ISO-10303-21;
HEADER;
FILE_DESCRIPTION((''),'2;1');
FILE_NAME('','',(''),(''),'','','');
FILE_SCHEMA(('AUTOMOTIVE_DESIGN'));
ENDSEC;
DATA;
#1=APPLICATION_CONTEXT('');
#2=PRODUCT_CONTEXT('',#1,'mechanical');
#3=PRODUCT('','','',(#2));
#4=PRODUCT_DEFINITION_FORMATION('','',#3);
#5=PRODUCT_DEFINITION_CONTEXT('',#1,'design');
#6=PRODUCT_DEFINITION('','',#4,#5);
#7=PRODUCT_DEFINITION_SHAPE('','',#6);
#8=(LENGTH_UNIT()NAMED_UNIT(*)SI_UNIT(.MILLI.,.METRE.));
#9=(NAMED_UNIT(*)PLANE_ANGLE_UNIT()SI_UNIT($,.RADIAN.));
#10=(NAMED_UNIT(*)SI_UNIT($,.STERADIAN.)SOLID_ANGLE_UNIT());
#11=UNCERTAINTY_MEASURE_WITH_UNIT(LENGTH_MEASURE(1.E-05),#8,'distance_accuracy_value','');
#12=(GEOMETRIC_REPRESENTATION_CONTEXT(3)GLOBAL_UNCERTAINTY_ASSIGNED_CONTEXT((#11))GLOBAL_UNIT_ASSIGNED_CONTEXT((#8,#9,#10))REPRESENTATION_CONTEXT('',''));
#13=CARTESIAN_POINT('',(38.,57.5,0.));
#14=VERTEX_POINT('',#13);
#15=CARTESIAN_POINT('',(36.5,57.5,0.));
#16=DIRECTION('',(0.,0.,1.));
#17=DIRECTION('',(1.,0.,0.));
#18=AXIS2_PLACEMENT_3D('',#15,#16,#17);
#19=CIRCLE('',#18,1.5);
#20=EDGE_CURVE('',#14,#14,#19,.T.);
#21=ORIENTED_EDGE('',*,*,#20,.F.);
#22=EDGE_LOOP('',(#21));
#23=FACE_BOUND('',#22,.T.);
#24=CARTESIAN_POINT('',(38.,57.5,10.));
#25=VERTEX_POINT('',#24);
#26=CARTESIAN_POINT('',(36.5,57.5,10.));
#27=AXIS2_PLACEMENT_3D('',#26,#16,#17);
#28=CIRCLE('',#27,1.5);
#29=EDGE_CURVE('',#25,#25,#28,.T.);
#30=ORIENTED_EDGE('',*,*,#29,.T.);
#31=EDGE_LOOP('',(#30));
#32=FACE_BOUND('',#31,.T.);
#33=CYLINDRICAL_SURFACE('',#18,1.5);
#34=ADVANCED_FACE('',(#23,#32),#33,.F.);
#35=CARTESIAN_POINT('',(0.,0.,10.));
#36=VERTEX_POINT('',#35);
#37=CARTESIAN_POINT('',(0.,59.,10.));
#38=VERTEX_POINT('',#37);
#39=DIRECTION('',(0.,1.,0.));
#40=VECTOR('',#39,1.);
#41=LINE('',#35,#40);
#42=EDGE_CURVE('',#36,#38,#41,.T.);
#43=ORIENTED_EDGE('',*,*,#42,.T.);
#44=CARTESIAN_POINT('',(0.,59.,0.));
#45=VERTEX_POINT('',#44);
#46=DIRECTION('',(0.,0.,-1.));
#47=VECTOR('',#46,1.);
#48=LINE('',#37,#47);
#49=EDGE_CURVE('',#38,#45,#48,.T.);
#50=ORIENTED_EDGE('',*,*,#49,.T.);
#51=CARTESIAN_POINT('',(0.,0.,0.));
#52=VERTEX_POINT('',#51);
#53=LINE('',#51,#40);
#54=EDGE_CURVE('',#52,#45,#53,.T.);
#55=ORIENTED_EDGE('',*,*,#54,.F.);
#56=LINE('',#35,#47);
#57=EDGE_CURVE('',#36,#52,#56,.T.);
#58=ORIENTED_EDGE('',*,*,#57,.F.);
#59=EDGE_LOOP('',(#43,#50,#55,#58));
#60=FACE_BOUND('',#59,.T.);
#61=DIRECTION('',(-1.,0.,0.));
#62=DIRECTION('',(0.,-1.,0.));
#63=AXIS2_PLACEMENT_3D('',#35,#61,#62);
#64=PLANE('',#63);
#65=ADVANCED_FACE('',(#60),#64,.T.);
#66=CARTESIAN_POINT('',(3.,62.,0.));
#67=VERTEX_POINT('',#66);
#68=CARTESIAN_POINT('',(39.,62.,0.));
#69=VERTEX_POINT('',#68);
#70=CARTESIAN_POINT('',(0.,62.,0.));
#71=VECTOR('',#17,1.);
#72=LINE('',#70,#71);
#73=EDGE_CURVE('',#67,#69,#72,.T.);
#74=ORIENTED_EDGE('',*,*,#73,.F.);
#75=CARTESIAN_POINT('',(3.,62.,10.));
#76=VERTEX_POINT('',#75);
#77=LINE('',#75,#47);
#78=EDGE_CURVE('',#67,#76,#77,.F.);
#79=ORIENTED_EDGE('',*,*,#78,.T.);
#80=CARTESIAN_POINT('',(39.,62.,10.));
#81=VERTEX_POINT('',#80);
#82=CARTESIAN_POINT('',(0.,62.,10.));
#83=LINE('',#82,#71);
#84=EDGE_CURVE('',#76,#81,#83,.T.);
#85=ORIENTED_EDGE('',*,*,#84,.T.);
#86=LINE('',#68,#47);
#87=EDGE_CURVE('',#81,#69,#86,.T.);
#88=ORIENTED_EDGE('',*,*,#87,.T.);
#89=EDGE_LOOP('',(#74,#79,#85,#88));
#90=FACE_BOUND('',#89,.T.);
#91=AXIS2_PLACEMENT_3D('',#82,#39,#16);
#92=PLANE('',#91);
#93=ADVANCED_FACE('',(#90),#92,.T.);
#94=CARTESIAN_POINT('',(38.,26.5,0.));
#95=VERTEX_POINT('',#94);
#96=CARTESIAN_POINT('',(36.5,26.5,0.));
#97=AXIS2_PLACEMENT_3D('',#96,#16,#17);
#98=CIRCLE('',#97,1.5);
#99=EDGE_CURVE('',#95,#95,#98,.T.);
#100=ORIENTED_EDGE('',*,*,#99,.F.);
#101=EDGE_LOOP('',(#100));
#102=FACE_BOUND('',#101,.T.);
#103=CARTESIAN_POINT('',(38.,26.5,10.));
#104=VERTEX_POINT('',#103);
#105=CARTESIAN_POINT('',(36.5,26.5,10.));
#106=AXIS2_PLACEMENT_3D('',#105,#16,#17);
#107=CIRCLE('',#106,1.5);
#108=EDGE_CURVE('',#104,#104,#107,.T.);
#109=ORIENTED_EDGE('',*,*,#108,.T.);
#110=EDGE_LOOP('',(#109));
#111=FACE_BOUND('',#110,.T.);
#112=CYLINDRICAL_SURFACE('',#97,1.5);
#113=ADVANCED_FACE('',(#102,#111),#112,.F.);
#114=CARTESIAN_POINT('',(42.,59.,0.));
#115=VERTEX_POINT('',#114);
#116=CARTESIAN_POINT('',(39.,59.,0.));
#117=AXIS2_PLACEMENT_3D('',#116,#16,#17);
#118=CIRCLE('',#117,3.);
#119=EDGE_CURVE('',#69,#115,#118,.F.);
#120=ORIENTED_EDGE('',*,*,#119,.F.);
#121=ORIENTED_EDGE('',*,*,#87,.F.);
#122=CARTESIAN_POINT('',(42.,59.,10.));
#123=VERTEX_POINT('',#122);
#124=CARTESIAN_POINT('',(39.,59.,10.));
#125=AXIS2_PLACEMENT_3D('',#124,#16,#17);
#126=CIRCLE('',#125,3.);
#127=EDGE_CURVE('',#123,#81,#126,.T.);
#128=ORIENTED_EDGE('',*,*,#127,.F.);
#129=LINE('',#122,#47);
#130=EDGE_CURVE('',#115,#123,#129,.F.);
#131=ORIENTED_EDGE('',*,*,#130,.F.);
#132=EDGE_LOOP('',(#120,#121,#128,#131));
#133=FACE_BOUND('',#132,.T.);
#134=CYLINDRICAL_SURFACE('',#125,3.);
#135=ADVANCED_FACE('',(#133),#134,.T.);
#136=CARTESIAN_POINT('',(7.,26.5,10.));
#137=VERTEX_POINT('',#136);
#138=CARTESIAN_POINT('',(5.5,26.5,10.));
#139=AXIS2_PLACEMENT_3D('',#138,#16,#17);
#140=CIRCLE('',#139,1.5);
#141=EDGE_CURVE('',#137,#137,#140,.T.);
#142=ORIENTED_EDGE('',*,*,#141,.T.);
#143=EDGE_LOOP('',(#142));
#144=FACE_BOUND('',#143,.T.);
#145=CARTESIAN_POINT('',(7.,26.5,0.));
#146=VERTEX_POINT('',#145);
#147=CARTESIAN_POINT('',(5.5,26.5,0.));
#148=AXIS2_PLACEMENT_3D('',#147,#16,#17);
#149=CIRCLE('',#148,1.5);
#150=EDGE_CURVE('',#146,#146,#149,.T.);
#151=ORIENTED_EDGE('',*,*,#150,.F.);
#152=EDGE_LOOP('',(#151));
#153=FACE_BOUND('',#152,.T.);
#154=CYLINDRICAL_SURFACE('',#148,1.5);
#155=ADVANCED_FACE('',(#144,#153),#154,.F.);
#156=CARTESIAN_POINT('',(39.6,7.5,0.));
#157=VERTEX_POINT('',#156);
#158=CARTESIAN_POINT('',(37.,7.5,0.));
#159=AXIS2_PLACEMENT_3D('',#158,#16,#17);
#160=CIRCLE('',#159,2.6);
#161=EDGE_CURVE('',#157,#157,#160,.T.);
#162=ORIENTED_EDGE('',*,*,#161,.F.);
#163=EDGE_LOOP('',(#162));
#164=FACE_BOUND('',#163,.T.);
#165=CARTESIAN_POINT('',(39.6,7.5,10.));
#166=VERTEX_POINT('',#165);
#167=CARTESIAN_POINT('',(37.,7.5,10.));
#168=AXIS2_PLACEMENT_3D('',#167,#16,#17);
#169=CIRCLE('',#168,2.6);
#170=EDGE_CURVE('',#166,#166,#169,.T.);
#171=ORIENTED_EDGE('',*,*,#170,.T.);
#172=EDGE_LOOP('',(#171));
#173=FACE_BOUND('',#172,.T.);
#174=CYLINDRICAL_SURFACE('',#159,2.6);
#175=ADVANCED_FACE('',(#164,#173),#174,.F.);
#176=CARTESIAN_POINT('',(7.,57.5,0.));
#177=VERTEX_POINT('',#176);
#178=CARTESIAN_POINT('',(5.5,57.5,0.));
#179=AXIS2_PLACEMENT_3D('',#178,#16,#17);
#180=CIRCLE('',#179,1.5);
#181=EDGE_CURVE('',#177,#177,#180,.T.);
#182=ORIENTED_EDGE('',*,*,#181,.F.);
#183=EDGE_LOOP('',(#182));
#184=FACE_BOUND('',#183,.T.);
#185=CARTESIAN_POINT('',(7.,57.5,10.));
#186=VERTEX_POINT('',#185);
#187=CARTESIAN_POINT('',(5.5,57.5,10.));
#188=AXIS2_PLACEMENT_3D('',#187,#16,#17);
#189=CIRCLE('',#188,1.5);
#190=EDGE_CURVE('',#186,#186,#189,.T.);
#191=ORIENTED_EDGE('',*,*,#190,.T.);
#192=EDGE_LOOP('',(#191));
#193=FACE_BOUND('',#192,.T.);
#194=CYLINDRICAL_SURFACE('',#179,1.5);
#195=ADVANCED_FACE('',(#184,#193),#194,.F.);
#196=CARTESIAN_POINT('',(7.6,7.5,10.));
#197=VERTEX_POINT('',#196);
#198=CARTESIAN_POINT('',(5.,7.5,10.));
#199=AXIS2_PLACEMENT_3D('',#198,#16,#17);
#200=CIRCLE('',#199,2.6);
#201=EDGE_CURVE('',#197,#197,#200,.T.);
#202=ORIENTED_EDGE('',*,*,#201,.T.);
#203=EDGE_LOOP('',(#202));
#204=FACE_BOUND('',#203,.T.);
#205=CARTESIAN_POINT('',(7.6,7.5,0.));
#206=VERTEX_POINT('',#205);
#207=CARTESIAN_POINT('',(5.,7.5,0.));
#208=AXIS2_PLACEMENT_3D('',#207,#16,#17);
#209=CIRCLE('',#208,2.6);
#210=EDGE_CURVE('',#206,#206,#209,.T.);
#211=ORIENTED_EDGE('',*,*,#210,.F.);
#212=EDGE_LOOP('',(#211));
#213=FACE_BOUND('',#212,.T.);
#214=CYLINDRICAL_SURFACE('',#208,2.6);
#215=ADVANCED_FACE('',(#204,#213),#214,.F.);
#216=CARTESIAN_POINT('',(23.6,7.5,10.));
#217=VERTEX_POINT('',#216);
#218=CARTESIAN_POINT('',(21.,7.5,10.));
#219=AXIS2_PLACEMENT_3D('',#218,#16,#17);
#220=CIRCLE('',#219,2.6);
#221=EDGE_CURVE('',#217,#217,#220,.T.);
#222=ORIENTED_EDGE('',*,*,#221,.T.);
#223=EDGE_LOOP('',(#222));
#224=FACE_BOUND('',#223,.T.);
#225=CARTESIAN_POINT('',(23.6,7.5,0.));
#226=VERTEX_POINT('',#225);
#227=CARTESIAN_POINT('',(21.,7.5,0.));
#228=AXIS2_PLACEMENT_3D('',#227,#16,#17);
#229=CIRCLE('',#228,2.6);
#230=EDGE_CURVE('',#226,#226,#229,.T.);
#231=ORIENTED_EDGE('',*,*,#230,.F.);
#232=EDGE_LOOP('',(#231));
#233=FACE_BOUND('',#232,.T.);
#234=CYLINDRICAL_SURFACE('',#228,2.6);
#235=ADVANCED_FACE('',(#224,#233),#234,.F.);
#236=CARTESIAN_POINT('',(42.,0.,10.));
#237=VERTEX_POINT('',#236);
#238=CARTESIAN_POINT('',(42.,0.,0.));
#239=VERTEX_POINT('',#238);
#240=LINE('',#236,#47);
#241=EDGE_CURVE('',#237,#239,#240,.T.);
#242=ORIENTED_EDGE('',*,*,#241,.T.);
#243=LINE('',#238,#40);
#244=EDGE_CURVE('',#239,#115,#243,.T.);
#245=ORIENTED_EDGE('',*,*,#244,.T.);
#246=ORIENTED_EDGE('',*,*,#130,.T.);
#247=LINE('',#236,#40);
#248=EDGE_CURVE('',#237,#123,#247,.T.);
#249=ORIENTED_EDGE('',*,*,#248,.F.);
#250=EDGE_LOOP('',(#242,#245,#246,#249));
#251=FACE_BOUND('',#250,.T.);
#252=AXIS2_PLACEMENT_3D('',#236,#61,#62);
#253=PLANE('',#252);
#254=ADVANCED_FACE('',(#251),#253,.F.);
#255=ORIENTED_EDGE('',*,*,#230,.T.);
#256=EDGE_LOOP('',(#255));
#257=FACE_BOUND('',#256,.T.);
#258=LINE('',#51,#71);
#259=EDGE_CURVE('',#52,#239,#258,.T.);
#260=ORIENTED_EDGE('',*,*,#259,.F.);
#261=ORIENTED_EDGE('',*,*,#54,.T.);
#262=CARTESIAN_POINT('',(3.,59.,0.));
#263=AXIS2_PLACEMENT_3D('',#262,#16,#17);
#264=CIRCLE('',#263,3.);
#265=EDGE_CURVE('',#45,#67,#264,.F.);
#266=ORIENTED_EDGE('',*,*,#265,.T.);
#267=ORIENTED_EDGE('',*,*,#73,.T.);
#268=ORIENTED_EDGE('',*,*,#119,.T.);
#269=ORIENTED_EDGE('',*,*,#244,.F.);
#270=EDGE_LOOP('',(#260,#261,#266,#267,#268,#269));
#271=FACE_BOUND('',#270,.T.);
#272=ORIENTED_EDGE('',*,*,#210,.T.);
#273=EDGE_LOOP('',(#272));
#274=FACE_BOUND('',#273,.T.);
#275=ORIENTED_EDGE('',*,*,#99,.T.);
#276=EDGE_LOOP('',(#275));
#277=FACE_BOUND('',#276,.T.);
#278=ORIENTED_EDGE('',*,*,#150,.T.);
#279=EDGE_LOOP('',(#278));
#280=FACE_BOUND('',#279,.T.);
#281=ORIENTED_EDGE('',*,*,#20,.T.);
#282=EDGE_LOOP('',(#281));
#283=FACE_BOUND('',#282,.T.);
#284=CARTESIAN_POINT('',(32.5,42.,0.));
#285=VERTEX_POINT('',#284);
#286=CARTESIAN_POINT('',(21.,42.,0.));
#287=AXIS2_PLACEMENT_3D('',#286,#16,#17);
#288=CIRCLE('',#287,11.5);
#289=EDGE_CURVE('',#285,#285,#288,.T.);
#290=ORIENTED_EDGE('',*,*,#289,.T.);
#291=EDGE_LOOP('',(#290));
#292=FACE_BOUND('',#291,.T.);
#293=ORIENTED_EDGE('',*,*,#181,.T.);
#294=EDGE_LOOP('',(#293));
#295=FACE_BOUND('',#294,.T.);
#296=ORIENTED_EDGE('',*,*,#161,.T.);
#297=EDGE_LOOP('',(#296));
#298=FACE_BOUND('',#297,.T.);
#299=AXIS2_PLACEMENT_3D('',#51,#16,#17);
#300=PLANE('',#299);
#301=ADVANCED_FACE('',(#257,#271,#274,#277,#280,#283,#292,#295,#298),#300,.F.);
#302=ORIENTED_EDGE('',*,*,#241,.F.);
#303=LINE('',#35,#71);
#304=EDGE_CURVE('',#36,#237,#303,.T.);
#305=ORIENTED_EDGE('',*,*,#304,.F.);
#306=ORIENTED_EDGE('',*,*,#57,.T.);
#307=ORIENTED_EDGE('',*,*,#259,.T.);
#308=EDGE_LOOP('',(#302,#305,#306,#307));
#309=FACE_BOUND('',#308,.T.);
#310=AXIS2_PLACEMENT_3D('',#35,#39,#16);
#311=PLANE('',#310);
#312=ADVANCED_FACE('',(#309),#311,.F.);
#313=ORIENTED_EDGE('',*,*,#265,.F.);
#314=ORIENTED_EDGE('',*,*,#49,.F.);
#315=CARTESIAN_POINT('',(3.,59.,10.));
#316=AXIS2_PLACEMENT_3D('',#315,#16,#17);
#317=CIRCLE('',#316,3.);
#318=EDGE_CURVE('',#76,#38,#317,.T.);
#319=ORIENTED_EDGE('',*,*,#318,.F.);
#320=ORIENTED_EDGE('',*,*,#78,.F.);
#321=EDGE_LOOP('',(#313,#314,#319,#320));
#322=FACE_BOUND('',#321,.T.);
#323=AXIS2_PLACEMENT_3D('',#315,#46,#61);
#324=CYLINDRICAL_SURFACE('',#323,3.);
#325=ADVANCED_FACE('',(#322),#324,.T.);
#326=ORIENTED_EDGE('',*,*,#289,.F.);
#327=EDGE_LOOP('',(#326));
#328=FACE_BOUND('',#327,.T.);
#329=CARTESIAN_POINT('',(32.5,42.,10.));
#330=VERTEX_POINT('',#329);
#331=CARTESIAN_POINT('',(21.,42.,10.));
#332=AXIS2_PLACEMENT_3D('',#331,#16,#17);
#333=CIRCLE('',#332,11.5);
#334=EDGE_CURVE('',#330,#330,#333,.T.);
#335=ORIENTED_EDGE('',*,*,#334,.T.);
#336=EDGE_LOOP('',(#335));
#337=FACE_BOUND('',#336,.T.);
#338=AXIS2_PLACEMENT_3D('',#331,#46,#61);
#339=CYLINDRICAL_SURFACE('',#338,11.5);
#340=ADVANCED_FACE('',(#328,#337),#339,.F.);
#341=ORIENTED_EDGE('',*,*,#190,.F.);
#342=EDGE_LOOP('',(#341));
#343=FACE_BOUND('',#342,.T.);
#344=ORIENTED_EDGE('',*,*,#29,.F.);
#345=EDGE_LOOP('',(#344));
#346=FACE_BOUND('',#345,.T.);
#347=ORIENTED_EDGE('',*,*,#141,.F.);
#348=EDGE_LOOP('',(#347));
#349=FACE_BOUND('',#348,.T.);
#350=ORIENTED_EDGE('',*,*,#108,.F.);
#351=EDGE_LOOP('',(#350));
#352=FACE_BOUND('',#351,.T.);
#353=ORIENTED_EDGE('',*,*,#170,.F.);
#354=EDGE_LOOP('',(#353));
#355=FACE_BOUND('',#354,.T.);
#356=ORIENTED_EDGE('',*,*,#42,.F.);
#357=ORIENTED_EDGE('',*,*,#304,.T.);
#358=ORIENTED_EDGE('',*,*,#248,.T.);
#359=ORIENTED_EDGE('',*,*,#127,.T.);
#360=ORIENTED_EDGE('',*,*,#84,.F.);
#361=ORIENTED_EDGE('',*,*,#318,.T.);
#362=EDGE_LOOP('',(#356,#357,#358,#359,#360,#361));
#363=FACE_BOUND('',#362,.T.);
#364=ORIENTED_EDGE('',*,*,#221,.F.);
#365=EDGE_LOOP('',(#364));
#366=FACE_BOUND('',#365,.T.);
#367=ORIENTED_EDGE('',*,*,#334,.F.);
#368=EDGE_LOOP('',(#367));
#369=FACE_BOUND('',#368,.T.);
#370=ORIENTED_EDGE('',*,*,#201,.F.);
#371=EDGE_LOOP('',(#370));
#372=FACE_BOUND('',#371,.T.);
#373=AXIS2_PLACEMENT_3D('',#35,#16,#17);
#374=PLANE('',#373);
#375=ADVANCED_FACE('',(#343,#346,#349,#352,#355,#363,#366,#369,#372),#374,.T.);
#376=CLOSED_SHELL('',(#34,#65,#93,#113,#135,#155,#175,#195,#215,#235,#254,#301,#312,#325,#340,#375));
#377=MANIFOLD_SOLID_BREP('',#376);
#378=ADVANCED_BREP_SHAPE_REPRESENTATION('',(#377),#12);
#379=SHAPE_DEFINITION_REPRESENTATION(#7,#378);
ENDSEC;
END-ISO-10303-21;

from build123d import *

# Parameters (mm, degrees)
SKETCH1_W           = 42
SKETCH1_H           = 62
SKETCH1_R           = 11.5
BOSS_EXTRUDE1_DEPTH = 10
FILLET2_R           = 3
SKETCH2_R           = 1.5
CUT_EXTRUDE1_DEPTH  = 11
SKETCH3_R           = 2.6
CUT_EXTRUDE2_DEPTH  = 11


with BuildPart() as part:
    # Sketch1 → Boss-Extrude1 (new body)
    with BuildSketch(Plane.XY):
        with Locations((21, 31)):
            Rectangle(SKETCH1_W, SKETCH1_H)
        with Locations((21, 42)):
            Circle(SKETCH1_R, mode=Mode.SUBTRACT)
    extrude(amount=BOSS_EXTRUDE1_DEPTH)

    # Fillet2
    fillet2_edges = [part.edges().sort_by_distance(p)[0] for p in [
        (0, 62, 5),
        (42, 62, 5),
    ]]
    fillet(fillet2_edges, radius=FILLET2_R)

    # Sketch2 → Cut-Extrude1 (cut, through all)
    with BuildSketch(Plane.XY.offset(10)):
        with Locations((5.5, 57.5)):
            Circle(SKETCH2_R)
        with Locations((36.5, 57.5)):
            Circle(SKETCH2_R)
        with Locations((5.5, 26.5)):
            Circle(SKETCH2_R)
        with Locations((36.5, 26.5)):
            Circle(SKETCH2_R)
    extrude(amount=-CUT_EXTRUDE1_DEPTH, mode=Mode.SUBTRACT)

    # Sketch3 → Cut-Extrude2 (cut, through all)
    with BuildSketch(Plane.XY.offset(10)):
        with Locations((5, 7.5)):
            Circle(SKETCH3_R)
        with Locations((21, 7.5)):
            Circle(SKETCH3_R)
        with Locations((37, 7.5)):
            Circle(SKETCH3_R)
    extrude(amount=-CUT_EXTRUDE2_DEPTH, mode=Mode.SUBTRACT)


solid = part.part
